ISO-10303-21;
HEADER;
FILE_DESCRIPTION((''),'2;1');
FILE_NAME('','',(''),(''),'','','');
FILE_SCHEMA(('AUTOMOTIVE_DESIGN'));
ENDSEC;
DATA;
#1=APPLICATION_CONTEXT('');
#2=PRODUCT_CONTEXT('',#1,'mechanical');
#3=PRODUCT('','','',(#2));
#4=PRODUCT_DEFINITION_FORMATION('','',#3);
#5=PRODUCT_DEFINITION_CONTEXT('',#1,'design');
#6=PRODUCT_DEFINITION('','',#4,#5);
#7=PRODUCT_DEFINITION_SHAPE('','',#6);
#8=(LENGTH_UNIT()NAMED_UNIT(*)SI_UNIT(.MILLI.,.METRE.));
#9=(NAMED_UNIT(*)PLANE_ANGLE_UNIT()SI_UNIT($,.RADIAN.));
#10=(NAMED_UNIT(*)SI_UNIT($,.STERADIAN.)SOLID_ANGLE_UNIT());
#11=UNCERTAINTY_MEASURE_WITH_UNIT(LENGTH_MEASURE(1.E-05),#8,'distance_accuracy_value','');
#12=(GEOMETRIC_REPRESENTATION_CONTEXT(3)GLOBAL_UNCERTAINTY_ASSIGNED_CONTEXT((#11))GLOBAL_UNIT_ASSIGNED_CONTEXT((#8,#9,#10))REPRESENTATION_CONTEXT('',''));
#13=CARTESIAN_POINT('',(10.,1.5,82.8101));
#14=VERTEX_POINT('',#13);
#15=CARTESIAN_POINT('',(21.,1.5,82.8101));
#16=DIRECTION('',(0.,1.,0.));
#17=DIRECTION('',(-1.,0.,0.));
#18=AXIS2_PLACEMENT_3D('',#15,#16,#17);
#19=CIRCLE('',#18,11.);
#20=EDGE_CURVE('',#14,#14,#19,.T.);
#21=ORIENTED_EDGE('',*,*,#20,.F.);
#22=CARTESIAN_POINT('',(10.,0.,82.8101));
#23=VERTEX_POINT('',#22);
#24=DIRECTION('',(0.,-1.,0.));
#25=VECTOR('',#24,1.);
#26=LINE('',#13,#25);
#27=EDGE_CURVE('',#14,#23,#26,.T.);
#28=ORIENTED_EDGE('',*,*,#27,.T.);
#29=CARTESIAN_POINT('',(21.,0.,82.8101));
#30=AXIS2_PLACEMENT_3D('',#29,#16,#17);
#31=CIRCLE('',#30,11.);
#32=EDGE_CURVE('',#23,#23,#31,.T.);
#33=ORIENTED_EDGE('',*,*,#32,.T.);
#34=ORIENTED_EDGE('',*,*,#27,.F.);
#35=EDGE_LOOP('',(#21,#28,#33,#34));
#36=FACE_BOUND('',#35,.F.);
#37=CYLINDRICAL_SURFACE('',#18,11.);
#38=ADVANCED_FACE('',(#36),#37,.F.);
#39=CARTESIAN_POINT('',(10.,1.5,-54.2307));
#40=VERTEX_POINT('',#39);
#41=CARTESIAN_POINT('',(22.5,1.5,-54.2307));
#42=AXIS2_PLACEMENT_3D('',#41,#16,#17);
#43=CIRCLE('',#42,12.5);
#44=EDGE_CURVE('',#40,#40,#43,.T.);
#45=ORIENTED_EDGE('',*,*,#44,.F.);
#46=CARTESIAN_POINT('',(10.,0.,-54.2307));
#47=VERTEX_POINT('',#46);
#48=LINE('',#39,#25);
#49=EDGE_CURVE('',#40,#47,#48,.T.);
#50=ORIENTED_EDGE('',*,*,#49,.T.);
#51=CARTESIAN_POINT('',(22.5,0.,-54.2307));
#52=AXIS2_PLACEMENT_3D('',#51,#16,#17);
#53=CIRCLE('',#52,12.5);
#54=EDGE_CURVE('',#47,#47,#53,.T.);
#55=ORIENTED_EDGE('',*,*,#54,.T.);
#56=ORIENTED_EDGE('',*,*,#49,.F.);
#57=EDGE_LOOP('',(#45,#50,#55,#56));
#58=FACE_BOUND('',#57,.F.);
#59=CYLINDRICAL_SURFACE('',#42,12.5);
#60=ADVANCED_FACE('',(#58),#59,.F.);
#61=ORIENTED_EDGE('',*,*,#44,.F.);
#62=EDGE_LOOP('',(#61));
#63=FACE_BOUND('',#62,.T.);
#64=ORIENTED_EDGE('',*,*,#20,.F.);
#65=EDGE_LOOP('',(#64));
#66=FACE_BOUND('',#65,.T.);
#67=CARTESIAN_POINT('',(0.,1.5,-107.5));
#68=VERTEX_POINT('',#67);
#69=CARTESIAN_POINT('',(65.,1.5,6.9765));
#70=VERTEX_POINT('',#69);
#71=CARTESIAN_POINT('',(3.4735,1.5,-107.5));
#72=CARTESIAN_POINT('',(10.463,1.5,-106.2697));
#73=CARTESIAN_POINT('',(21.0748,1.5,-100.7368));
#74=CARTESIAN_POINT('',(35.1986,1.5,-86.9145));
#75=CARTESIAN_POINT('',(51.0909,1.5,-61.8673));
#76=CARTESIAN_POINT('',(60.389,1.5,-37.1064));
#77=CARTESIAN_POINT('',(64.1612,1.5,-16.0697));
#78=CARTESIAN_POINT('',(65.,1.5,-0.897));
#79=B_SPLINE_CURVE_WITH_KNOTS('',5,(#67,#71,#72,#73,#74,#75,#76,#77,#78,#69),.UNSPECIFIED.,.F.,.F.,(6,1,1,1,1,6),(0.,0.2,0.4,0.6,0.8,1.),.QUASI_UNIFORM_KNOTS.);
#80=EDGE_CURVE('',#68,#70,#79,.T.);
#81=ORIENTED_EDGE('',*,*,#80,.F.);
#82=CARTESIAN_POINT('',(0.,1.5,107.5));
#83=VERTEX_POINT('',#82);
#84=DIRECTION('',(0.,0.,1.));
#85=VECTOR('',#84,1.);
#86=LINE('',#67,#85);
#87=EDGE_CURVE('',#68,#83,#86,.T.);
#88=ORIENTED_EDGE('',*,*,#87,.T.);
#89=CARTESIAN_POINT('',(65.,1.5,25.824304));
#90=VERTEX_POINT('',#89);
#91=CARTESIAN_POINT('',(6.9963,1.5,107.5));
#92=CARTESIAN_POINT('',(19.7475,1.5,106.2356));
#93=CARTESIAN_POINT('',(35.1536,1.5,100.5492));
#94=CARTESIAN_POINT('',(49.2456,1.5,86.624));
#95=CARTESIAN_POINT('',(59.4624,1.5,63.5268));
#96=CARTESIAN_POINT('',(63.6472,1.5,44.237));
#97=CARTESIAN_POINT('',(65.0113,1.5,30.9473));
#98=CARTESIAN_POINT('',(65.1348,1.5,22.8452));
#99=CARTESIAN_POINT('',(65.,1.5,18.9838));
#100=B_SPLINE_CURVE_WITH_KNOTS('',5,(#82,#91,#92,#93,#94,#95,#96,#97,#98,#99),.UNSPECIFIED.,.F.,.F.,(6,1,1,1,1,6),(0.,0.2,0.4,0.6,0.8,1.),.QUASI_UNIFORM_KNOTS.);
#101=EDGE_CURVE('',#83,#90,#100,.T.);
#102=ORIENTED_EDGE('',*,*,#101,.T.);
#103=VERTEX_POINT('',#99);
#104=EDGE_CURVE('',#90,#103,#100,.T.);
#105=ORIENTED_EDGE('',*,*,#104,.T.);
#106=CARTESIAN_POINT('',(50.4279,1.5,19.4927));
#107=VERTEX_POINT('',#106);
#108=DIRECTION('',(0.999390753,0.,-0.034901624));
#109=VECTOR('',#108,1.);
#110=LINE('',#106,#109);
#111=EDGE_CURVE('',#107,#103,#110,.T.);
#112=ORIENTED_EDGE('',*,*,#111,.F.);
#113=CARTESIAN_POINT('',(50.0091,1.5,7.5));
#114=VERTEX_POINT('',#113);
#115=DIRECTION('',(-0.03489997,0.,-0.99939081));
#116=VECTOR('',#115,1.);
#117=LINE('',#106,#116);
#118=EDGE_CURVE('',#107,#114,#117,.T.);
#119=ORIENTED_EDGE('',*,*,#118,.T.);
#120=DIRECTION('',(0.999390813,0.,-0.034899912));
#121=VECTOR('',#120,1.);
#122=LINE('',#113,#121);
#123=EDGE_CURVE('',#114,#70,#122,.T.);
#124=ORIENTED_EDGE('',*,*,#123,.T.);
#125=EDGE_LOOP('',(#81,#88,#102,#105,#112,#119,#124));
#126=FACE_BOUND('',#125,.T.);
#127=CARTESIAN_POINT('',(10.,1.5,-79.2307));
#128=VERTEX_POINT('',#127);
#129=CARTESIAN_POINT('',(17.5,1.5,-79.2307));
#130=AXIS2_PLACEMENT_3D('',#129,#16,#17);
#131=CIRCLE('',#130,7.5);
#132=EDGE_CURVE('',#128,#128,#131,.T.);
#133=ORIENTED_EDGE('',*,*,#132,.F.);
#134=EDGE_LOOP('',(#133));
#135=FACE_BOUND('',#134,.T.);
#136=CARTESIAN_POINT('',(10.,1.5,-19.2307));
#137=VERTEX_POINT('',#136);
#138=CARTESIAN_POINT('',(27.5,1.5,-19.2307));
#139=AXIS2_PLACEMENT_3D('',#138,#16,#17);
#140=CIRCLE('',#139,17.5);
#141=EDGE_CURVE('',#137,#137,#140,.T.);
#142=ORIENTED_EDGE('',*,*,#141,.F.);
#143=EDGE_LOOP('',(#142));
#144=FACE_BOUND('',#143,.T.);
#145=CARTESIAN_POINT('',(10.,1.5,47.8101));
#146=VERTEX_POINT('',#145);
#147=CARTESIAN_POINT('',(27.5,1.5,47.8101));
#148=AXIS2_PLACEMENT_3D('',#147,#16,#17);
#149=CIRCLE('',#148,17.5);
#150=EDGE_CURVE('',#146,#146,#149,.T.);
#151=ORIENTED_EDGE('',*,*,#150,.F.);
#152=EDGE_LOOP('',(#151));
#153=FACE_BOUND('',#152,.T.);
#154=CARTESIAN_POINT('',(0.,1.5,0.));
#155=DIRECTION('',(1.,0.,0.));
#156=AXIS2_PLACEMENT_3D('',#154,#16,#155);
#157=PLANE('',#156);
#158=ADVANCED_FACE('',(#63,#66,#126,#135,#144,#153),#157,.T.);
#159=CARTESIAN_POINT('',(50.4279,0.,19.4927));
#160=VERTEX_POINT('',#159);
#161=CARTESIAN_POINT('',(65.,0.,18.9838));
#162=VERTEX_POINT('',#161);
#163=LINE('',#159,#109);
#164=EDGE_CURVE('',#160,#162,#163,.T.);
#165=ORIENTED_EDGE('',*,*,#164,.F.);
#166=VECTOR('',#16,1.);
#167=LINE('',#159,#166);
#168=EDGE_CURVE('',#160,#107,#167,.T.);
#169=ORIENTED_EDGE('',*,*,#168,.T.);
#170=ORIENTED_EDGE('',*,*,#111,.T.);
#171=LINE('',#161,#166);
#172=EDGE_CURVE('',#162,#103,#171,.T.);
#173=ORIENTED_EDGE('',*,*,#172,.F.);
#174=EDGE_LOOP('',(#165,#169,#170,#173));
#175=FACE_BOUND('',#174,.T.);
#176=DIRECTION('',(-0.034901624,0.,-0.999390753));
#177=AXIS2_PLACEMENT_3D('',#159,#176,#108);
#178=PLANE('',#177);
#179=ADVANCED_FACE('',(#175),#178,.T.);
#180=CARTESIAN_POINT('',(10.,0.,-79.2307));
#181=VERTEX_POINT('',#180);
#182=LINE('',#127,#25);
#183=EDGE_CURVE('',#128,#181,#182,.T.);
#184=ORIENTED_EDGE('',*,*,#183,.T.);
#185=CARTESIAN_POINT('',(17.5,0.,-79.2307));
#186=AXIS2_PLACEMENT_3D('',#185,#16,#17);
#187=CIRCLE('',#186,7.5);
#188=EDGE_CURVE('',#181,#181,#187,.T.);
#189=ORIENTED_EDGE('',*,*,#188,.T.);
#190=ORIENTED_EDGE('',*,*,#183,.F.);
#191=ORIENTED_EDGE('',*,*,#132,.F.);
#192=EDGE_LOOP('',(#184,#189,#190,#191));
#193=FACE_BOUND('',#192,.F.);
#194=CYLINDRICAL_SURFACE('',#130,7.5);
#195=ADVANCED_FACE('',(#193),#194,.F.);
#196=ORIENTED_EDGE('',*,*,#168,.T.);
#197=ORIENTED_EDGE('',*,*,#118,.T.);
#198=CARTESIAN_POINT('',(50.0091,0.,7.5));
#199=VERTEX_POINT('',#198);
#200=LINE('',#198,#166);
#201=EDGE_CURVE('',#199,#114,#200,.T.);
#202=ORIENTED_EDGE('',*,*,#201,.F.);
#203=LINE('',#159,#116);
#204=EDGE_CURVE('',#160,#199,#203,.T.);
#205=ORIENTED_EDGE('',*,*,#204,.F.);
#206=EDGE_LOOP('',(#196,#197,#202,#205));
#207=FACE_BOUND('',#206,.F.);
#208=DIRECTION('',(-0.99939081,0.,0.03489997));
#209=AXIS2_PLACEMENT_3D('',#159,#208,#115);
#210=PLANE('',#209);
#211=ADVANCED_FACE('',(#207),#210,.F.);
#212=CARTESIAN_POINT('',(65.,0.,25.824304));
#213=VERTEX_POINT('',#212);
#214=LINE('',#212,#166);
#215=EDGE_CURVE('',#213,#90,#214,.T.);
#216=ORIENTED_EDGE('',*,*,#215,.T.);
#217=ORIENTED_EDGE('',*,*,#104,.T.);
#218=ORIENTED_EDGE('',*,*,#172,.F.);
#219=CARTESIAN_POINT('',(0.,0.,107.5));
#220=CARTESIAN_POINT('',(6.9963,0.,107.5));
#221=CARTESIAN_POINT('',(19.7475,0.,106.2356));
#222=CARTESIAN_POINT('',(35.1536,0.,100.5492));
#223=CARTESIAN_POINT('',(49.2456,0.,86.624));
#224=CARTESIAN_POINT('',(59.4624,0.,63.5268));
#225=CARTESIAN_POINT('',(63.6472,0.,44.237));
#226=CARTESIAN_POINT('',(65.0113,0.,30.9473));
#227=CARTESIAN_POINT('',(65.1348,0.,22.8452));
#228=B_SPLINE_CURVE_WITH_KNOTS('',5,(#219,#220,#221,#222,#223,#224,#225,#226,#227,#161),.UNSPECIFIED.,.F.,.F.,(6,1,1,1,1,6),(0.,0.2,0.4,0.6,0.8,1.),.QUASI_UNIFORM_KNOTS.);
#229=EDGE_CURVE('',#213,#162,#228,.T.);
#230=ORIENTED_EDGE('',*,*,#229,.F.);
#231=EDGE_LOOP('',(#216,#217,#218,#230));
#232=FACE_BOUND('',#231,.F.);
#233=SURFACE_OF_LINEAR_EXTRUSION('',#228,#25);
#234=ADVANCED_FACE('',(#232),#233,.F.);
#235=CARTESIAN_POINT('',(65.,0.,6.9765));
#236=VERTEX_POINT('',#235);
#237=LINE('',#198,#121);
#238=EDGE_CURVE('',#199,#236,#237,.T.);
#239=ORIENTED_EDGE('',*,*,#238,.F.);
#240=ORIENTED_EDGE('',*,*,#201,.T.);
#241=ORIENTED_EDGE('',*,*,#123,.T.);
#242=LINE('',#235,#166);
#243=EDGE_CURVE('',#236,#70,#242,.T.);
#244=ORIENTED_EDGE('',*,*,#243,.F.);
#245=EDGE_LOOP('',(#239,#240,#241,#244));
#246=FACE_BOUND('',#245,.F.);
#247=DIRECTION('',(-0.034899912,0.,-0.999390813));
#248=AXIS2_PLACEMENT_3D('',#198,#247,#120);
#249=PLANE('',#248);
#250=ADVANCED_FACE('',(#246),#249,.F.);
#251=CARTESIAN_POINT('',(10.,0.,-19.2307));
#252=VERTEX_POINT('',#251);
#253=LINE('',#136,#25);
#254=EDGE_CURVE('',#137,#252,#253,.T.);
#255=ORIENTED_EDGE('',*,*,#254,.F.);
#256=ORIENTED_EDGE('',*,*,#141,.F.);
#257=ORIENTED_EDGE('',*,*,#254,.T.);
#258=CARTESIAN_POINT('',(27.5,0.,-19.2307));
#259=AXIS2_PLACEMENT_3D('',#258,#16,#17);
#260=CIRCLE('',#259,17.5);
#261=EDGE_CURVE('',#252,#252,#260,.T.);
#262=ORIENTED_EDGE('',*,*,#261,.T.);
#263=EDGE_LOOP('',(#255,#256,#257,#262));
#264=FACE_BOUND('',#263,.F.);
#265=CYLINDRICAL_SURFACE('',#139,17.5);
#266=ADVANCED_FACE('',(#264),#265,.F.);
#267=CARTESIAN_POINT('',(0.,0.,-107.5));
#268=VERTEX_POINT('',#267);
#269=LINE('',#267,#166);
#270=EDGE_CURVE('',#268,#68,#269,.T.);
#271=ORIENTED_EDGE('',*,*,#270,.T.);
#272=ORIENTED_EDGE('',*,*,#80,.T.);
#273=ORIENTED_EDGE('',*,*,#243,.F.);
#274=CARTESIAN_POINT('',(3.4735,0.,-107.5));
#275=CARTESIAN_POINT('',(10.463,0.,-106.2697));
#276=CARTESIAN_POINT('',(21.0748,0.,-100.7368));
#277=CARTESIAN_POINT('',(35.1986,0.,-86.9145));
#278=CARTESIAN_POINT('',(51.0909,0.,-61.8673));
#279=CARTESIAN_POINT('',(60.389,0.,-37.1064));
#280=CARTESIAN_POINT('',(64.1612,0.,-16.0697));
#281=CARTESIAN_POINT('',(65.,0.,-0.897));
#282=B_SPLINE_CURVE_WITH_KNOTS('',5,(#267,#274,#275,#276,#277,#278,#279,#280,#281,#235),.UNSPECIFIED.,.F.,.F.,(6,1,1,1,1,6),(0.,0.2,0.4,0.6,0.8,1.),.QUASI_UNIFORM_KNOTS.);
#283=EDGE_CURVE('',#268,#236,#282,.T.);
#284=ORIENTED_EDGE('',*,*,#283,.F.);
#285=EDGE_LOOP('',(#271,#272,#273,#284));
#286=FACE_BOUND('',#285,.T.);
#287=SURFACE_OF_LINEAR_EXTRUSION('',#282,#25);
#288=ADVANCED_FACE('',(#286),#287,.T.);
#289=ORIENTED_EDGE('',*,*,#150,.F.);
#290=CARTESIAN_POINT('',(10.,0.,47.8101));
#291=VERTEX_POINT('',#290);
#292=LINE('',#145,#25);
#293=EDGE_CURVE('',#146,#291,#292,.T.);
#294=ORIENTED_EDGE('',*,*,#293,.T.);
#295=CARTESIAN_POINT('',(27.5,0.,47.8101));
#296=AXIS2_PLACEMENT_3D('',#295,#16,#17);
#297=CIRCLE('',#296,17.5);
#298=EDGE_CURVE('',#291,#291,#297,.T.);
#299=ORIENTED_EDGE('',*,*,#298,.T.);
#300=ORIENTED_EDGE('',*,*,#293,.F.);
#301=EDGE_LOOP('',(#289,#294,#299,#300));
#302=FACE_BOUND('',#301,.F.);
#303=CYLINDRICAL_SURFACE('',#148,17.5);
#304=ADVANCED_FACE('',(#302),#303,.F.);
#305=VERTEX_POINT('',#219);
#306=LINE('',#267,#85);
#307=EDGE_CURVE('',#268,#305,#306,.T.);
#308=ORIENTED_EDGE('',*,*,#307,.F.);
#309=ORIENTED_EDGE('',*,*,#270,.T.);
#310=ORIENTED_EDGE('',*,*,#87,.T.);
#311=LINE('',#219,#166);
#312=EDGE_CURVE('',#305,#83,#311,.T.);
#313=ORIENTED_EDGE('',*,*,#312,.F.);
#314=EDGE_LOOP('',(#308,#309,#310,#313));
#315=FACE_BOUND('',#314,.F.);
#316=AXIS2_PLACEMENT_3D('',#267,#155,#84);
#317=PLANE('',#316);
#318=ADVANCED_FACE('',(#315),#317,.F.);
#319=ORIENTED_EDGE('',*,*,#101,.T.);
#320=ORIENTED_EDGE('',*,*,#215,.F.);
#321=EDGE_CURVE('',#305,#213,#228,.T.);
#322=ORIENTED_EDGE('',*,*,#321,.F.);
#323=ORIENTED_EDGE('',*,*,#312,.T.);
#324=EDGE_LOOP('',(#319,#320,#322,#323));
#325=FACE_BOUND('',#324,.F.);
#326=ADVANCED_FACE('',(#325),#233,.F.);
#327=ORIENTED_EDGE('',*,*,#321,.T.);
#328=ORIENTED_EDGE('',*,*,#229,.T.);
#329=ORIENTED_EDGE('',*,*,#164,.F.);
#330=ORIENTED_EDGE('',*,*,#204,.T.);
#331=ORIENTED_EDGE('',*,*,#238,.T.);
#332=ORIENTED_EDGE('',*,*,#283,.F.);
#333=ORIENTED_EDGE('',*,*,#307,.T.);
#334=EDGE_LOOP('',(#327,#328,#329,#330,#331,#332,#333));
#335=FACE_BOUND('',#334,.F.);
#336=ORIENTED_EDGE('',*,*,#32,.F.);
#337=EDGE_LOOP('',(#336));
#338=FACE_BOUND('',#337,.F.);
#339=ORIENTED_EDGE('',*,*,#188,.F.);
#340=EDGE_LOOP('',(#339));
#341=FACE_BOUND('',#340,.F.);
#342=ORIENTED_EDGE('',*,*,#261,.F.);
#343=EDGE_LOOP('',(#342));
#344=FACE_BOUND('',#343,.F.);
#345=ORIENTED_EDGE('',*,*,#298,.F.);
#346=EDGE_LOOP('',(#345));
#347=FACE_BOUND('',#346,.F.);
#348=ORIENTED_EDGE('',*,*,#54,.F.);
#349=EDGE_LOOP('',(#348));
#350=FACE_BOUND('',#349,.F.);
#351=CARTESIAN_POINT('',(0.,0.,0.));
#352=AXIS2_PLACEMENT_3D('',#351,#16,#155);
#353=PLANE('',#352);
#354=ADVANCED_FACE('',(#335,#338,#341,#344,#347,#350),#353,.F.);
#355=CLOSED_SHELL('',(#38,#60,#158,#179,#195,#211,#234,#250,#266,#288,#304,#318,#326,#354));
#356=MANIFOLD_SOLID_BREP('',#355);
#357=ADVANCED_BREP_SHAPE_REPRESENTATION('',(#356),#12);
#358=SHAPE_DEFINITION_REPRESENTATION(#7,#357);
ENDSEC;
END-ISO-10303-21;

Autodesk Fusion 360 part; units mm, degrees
sketch "Skizze1" plane through (0, 0, 0) normal (0, 1, 0) x (1, 0, 0)
  line L0 (0, 107.5) -> (0, -107.5)
  line L1 (50.4279, -19.4927) -> (65, -18.9838)
  line L2 (50.4279, -19.4927) -> (50.0091, -7.5)
  line L3 (50.0091, -7.5) -> (65, -6.9765)
  line L4 (0, 0) -> (59.8475, 0) construction
  spline S0 degree 5 poles (0, -107.5) (6.9963, -107.5) (19.7475, -106.2356) (35.1536, -100.5492) (49.2456, -86.624) (59.4624, -63.5268) (63.6472, -44.237) (65.0113, -30.9473) (65.1348, -22.8452) (65, -18.9838) knots 0 0 0 0 0 0 0.2 0.4 0.6 0.8 1 1 1 1 1 1
  line L5 (65.2619, -26.4838) -> (64.7381, -11.4838)
  line L6 (-12.5, -107.5) -> (12.5, -107.5)
  spline S1 degree 5 poles (0, 107.5) (3.4735, 107.5) (10.463, 106.2697) (21.0748, 100.7368) (35.1986, 86.9145) (51.0909, 61.8673) (60.389, 37.1064) (64.1612, 16.0697) (65, 0.897) (65, -6.9765) knots 0 0 0 0 0 0 0.2 0.4 0.6 0.8 1 1 1 1 1 1
  line L7 (-7.5, 107.5) -> (7.5, 107.5)
  line L8 (65, 13.0235) -> (65, -26.9765)
  dimension "d1" = 215
  dimension "d2" = 107.5
  dimension "d4" = 65
  dimension "d5" = 15
  dimension "d7" = 12
  dimension "d8" = 15
  dimension "d9" = 25
  dimension "d10" = 40
  dimension "d11" = 15
  dimension "d12" = 100
  dimension "d13" = 2
extrude "Extrusion1" add sketch "Skizze1" along normal blind 1.5 contours L0 L1 L2 L3 S0 S1 L8 | S0 L8
sketch "Skizze2" plane through (0, 1.5, 0) normal (0, 1, 0) x (-1, 0, 0)
  spline S0 degree 5 poles (0, 107.5) (-6.9963, 107.5) (-19.7475, 106.2356) (-35.1536, 100.5492) (-49.2456, 86.624) (-59.4624, 63.5268) (-63.6472, 44.237) (-65.0113, 30.9473) (-65.1348, 22.8452) (-65, 18.9838) knots 0 0 0 0 0 0 0.2 0.4 0.6 0.8 1 1 1 1 1 1
  line L0 (-65, 18.9838) -> (-50.4279, 19.4927)
  line L1 (-50.4279, 19.4927) -> (-50.0091, 7.5)
  line L2 (-50.0091, 7.5) -> (-65, 6.9765)
  spline S1 degree 5 poles (-65, 6.9765) (-65, -0.897) (-64.1612, -16.0697) (-60.389, -37.1064) (-51.0909, -61.8673) (-35.1986, -86.9145) (-21.0748, -100.7368) (-10.463, -106.2697) (-3.4735, -107.5) (0, -107.5) knots -1 -1 -1 -1 -1 -1 -0.8 -0.6 -0.4 -0.2 0 0 0 0 0 0
  line L3 (0, -107.5) -> (0, 107.5)
  line L4 (-10, -105.5059) -> (-10, 106.9256) construction
  line L5 (-64.7198, -3.0198) -> (0, -0.7597) construction
  line L6 (-64.8519, 28.9951) -> (0, 31.2598) construction
  circle A0 centre (-27.5, -19.2307) radius 17.5
  circle A1 centre (-22.5, -54.2307) radius 12.5
  circle A2 centre (-17.5, -79.2307) radius 7.5
  circle A3 centre (-27.5, 47.8101) radius 17.5
  circle A4 centre (-21, 82.8101) radius 11
  dimension "d16" = 10
  dimension "d17" = 10
  dimension "d18" = 10
  dimension "d19" = 35
  dimension "d20" = 25
  dimension "d21" = 35
  dimension "d22" = 15
  dimension "d23" = 25
  dimension "d24" = 35
  dimension "d25" = 35
  dimension "d28" = 22
extrude "Extrusion2" cut sketch "Skizze2" against normal blind 5 contours A0 | A1 | A2 | A3 | A4
equation "d2 = d1 / 2"
equation "d18 = d17"
